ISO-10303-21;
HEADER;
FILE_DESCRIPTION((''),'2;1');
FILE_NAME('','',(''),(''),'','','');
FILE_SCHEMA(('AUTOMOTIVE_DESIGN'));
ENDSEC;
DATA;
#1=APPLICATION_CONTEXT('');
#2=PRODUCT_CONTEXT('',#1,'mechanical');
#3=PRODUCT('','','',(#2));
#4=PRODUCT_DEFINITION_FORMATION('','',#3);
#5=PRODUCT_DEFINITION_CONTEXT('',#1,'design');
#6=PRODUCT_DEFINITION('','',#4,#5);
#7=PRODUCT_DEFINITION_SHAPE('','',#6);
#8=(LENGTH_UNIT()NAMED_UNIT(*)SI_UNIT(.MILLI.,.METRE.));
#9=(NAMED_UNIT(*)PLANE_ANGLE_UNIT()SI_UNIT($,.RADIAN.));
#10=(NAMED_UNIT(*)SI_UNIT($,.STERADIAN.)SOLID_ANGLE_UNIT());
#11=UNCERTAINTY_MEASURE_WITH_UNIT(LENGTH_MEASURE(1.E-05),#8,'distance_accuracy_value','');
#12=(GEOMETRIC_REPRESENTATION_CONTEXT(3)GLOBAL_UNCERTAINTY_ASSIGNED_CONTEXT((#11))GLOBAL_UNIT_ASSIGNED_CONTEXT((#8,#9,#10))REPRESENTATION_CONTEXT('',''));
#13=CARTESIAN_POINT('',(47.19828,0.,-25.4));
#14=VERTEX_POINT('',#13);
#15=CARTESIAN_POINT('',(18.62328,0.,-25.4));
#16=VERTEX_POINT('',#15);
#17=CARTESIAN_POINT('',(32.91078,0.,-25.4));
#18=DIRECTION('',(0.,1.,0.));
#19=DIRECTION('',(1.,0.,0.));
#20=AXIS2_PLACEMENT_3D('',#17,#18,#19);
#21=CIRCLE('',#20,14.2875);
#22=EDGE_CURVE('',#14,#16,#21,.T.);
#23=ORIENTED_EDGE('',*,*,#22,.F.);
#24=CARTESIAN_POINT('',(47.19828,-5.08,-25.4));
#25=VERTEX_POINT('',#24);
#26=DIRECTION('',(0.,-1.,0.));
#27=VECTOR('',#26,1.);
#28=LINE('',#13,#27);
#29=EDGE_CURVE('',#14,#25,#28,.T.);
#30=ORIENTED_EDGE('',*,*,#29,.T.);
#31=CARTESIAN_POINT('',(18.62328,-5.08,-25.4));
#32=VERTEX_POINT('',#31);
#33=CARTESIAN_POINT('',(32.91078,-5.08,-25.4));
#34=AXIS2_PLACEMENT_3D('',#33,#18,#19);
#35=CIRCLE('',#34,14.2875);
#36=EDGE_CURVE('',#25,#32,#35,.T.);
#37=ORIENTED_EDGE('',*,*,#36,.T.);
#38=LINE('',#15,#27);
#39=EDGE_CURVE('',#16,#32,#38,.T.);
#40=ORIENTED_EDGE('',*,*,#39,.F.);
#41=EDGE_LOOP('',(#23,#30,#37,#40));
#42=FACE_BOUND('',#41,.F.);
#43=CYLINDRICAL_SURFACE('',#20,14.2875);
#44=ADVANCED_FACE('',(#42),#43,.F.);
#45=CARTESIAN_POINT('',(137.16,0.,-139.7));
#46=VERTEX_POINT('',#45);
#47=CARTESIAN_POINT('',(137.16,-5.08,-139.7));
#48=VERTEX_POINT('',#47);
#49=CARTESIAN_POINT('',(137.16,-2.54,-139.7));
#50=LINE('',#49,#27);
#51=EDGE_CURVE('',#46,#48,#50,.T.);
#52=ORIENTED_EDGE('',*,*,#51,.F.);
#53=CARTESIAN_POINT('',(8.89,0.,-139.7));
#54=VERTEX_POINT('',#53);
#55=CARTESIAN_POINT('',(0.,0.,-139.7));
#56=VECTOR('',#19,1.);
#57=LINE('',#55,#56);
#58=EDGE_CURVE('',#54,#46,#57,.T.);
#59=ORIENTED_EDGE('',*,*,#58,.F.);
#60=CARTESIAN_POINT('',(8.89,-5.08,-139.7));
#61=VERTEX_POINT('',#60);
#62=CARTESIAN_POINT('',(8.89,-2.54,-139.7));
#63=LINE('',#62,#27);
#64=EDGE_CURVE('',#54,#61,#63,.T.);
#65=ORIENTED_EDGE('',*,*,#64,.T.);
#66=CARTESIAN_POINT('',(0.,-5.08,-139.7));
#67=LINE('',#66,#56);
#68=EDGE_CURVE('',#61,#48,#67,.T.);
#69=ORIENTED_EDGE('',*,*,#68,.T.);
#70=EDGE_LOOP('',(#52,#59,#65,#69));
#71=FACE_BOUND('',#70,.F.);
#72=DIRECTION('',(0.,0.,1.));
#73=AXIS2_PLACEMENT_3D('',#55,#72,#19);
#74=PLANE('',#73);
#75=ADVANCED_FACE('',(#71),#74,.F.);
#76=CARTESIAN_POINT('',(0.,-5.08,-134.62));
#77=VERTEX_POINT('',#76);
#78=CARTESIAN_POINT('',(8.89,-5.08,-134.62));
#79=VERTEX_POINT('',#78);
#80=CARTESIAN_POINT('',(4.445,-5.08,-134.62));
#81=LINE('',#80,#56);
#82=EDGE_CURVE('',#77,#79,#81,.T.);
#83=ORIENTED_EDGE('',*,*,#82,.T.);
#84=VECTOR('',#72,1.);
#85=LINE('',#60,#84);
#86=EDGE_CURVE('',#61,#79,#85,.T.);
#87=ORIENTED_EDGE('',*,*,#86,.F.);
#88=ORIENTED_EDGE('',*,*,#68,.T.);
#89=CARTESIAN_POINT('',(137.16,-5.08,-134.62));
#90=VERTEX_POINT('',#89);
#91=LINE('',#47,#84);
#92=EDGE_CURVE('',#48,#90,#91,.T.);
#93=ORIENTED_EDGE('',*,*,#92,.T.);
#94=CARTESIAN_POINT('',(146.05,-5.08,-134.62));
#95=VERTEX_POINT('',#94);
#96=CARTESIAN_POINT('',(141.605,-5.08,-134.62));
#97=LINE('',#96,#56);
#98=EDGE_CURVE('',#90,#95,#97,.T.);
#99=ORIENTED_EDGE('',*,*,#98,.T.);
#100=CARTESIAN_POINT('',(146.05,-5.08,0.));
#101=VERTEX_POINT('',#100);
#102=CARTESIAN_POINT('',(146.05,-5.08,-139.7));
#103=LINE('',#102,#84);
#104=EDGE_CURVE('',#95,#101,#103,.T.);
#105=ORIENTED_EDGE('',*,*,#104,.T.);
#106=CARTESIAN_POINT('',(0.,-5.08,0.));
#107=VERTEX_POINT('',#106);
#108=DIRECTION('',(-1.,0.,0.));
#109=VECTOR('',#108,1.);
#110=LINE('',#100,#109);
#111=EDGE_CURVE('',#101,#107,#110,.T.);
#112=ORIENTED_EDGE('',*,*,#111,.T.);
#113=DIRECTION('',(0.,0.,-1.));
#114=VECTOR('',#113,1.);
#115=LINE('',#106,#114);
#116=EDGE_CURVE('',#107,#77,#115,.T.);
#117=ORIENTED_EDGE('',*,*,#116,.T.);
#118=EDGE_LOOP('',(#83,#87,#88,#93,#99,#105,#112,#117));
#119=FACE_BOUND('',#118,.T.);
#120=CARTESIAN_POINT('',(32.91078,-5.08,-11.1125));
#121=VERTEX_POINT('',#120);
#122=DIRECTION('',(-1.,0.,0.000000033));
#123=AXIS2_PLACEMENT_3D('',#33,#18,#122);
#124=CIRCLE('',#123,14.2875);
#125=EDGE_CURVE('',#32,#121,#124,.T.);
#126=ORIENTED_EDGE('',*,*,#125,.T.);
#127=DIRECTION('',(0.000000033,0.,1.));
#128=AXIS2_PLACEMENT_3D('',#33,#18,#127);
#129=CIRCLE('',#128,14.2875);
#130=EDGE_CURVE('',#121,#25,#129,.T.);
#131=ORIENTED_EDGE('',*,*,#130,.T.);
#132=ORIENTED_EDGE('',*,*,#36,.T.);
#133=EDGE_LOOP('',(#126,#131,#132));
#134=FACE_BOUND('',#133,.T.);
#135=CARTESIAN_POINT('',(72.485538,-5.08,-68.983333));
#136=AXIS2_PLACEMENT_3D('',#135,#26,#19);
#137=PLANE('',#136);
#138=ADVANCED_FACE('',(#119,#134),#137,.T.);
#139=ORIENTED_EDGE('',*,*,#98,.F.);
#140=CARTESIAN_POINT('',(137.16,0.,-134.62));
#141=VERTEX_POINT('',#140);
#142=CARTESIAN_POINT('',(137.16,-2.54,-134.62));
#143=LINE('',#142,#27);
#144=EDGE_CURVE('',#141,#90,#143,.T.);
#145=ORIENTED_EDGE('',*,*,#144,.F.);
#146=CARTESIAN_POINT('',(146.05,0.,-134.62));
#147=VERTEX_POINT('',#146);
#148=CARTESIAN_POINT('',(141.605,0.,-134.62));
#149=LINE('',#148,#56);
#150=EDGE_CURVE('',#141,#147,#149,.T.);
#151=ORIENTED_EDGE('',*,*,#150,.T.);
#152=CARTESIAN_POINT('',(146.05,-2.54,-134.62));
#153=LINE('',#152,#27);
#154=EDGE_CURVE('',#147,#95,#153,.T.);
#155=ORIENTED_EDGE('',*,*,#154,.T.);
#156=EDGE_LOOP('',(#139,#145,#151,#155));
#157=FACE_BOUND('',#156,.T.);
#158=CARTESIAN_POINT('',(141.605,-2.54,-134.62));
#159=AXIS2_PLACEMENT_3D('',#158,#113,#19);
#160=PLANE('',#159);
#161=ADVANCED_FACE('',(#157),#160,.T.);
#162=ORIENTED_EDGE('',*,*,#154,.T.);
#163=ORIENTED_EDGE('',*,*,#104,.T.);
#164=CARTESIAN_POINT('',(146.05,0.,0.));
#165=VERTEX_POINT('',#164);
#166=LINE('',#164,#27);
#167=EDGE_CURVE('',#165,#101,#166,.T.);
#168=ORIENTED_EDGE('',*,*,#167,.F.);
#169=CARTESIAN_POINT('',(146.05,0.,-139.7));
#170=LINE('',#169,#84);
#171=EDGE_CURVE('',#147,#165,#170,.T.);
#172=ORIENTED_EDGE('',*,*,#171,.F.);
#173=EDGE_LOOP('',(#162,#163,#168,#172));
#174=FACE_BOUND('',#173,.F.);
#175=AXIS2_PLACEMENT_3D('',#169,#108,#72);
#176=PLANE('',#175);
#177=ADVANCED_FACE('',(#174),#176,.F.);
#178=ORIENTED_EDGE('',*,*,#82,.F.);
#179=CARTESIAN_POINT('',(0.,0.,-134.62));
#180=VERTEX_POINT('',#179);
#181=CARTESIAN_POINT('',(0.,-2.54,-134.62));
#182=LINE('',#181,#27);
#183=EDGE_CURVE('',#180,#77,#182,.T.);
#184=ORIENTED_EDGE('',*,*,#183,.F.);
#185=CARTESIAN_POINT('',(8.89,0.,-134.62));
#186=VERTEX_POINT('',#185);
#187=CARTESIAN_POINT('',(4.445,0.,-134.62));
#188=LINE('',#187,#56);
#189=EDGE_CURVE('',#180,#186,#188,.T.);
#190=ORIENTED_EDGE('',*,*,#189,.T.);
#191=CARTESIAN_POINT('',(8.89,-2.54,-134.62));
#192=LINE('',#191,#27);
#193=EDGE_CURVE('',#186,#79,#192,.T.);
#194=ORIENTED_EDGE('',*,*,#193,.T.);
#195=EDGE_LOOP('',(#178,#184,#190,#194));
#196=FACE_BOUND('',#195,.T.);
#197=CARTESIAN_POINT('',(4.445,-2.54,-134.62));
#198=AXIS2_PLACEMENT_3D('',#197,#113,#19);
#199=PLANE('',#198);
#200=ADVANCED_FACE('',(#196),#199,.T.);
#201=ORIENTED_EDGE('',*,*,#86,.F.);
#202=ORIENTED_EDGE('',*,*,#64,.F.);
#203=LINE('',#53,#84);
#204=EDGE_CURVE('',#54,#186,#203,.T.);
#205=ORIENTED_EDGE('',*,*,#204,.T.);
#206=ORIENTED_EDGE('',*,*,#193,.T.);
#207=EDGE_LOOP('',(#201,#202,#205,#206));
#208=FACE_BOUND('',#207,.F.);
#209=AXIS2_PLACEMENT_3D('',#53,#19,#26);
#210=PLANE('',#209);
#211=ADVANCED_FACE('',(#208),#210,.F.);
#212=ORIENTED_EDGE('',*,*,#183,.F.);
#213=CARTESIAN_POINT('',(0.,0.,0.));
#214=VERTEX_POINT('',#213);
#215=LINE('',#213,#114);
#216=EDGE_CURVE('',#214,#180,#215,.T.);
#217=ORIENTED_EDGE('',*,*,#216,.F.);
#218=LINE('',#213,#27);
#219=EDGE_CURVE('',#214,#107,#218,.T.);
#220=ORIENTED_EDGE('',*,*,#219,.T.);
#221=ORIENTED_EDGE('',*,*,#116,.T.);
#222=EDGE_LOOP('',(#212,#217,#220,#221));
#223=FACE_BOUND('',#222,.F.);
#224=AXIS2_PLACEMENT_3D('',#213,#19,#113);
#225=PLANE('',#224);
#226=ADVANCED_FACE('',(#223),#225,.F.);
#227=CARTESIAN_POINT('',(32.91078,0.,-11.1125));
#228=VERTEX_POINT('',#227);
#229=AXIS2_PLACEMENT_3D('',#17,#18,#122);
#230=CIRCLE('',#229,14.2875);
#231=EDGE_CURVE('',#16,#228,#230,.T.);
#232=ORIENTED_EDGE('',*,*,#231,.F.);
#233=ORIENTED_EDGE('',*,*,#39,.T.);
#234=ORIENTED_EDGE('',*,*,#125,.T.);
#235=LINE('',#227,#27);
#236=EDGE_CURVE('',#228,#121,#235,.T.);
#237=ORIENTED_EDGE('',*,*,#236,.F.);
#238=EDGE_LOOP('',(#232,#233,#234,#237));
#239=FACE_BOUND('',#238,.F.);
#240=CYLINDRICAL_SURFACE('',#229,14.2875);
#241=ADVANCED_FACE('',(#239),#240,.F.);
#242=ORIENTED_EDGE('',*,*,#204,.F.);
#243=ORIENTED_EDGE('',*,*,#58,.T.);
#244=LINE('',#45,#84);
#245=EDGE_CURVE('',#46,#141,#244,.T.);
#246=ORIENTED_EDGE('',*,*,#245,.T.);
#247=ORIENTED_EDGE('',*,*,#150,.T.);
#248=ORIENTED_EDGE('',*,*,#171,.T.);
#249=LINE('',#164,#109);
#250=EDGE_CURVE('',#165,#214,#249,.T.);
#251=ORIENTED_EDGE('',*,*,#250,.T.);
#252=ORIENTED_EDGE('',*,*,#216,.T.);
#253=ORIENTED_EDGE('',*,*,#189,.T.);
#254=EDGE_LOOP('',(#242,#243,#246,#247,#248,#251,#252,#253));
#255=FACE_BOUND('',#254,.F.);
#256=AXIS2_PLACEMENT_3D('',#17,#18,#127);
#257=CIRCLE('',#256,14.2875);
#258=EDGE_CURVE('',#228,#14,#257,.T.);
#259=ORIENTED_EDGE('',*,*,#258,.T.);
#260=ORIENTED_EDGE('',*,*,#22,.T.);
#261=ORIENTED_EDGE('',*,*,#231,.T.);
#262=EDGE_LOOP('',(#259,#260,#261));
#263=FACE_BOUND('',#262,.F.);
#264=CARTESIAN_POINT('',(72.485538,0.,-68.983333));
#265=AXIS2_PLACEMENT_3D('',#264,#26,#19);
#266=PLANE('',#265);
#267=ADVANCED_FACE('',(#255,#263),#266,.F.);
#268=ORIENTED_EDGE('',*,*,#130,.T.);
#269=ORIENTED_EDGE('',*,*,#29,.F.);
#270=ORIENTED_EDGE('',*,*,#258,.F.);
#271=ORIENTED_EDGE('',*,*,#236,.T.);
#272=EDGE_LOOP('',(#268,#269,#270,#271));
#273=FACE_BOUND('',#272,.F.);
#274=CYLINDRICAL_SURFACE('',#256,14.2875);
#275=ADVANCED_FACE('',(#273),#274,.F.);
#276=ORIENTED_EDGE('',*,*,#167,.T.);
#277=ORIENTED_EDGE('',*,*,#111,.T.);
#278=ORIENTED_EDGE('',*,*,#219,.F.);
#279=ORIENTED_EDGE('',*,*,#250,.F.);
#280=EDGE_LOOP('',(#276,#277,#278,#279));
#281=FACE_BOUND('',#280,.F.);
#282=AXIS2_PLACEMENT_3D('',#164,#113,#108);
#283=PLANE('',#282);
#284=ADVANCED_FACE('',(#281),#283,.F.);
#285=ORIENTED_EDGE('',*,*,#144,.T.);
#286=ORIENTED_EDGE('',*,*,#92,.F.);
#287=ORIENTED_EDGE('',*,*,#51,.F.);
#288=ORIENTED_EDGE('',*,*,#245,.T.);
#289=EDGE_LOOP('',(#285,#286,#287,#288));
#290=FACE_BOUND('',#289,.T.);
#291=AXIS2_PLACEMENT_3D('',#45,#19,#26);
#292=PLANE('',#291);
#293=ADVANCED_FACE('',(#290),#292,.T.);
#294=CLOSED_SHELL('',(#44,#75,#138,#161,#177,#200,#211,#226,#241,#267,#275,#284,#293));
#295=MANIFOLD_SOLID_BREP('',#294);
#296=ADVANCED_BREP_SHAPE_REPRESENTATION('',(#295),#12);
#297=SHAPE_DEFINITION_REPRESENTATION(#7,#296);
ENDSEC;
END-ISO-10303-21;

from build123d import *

# Parameters (mm, degrees)
F1_DEPTH = 5.08
F2_W     = 8.89
F2_H     = 5.08
F3_DEPTH = 5.08


with BuildPart() as f1:
    # F0 (on Front) → F1 (new body)
    with BuildSketch(Plane.XZ):
        with BuildLine():
            Line((146.05, 0), (32.91078, 0))
            Line((32.91078, 0), (32.91078, -11.1125))
            ThreePointArc((32.91078, -11.1125), (43.013568, -15.297212), (47.19828, -25.4))
            ThreePointArc((47.19828, -25.4), (32.91078, -39.6875), (18.62328, -25.4))
            Line((18.62328, -25.4), (0, -25.4))
            Line((0, -25.4), (0, -139.7))
            Line((0, -139.7), (146.05, -139.7))
            Line((146.05, -139.7), (146.05, 0))
        make_face()
        with BuildLine():
            Line((32.91078, 0), (0, 0))
            Line((0, 0), (0, -25.4))
            Line((0, -25.4), (18.62328, -25.4))
            ThreePointArc((18.62328, -25.4), (22.807992, -15.297212), (32.91078, -11.1125))
            Line((32.91078, -11.1125), (32.91078, 0))
        make_face()
    extrude(amount=F1_DEPTH)

    # F2 (on face) → F3 (cut)
    with BuildSketch(Plane(origin=(0, 0, -139.7), x_dir=(1, 0, 0), z_dir=(0, 0, -1))):
        with Locations((4.445, 2.54)):
            Rectangle(F2_W, F2_H)
        with Locations((141.605, 2.54)):
            Rectangle(F2_W, F2_H)
    extrude(amount=-F3_DEPTH, mode=Mode.SUBTRACT)


solid = f1.part
